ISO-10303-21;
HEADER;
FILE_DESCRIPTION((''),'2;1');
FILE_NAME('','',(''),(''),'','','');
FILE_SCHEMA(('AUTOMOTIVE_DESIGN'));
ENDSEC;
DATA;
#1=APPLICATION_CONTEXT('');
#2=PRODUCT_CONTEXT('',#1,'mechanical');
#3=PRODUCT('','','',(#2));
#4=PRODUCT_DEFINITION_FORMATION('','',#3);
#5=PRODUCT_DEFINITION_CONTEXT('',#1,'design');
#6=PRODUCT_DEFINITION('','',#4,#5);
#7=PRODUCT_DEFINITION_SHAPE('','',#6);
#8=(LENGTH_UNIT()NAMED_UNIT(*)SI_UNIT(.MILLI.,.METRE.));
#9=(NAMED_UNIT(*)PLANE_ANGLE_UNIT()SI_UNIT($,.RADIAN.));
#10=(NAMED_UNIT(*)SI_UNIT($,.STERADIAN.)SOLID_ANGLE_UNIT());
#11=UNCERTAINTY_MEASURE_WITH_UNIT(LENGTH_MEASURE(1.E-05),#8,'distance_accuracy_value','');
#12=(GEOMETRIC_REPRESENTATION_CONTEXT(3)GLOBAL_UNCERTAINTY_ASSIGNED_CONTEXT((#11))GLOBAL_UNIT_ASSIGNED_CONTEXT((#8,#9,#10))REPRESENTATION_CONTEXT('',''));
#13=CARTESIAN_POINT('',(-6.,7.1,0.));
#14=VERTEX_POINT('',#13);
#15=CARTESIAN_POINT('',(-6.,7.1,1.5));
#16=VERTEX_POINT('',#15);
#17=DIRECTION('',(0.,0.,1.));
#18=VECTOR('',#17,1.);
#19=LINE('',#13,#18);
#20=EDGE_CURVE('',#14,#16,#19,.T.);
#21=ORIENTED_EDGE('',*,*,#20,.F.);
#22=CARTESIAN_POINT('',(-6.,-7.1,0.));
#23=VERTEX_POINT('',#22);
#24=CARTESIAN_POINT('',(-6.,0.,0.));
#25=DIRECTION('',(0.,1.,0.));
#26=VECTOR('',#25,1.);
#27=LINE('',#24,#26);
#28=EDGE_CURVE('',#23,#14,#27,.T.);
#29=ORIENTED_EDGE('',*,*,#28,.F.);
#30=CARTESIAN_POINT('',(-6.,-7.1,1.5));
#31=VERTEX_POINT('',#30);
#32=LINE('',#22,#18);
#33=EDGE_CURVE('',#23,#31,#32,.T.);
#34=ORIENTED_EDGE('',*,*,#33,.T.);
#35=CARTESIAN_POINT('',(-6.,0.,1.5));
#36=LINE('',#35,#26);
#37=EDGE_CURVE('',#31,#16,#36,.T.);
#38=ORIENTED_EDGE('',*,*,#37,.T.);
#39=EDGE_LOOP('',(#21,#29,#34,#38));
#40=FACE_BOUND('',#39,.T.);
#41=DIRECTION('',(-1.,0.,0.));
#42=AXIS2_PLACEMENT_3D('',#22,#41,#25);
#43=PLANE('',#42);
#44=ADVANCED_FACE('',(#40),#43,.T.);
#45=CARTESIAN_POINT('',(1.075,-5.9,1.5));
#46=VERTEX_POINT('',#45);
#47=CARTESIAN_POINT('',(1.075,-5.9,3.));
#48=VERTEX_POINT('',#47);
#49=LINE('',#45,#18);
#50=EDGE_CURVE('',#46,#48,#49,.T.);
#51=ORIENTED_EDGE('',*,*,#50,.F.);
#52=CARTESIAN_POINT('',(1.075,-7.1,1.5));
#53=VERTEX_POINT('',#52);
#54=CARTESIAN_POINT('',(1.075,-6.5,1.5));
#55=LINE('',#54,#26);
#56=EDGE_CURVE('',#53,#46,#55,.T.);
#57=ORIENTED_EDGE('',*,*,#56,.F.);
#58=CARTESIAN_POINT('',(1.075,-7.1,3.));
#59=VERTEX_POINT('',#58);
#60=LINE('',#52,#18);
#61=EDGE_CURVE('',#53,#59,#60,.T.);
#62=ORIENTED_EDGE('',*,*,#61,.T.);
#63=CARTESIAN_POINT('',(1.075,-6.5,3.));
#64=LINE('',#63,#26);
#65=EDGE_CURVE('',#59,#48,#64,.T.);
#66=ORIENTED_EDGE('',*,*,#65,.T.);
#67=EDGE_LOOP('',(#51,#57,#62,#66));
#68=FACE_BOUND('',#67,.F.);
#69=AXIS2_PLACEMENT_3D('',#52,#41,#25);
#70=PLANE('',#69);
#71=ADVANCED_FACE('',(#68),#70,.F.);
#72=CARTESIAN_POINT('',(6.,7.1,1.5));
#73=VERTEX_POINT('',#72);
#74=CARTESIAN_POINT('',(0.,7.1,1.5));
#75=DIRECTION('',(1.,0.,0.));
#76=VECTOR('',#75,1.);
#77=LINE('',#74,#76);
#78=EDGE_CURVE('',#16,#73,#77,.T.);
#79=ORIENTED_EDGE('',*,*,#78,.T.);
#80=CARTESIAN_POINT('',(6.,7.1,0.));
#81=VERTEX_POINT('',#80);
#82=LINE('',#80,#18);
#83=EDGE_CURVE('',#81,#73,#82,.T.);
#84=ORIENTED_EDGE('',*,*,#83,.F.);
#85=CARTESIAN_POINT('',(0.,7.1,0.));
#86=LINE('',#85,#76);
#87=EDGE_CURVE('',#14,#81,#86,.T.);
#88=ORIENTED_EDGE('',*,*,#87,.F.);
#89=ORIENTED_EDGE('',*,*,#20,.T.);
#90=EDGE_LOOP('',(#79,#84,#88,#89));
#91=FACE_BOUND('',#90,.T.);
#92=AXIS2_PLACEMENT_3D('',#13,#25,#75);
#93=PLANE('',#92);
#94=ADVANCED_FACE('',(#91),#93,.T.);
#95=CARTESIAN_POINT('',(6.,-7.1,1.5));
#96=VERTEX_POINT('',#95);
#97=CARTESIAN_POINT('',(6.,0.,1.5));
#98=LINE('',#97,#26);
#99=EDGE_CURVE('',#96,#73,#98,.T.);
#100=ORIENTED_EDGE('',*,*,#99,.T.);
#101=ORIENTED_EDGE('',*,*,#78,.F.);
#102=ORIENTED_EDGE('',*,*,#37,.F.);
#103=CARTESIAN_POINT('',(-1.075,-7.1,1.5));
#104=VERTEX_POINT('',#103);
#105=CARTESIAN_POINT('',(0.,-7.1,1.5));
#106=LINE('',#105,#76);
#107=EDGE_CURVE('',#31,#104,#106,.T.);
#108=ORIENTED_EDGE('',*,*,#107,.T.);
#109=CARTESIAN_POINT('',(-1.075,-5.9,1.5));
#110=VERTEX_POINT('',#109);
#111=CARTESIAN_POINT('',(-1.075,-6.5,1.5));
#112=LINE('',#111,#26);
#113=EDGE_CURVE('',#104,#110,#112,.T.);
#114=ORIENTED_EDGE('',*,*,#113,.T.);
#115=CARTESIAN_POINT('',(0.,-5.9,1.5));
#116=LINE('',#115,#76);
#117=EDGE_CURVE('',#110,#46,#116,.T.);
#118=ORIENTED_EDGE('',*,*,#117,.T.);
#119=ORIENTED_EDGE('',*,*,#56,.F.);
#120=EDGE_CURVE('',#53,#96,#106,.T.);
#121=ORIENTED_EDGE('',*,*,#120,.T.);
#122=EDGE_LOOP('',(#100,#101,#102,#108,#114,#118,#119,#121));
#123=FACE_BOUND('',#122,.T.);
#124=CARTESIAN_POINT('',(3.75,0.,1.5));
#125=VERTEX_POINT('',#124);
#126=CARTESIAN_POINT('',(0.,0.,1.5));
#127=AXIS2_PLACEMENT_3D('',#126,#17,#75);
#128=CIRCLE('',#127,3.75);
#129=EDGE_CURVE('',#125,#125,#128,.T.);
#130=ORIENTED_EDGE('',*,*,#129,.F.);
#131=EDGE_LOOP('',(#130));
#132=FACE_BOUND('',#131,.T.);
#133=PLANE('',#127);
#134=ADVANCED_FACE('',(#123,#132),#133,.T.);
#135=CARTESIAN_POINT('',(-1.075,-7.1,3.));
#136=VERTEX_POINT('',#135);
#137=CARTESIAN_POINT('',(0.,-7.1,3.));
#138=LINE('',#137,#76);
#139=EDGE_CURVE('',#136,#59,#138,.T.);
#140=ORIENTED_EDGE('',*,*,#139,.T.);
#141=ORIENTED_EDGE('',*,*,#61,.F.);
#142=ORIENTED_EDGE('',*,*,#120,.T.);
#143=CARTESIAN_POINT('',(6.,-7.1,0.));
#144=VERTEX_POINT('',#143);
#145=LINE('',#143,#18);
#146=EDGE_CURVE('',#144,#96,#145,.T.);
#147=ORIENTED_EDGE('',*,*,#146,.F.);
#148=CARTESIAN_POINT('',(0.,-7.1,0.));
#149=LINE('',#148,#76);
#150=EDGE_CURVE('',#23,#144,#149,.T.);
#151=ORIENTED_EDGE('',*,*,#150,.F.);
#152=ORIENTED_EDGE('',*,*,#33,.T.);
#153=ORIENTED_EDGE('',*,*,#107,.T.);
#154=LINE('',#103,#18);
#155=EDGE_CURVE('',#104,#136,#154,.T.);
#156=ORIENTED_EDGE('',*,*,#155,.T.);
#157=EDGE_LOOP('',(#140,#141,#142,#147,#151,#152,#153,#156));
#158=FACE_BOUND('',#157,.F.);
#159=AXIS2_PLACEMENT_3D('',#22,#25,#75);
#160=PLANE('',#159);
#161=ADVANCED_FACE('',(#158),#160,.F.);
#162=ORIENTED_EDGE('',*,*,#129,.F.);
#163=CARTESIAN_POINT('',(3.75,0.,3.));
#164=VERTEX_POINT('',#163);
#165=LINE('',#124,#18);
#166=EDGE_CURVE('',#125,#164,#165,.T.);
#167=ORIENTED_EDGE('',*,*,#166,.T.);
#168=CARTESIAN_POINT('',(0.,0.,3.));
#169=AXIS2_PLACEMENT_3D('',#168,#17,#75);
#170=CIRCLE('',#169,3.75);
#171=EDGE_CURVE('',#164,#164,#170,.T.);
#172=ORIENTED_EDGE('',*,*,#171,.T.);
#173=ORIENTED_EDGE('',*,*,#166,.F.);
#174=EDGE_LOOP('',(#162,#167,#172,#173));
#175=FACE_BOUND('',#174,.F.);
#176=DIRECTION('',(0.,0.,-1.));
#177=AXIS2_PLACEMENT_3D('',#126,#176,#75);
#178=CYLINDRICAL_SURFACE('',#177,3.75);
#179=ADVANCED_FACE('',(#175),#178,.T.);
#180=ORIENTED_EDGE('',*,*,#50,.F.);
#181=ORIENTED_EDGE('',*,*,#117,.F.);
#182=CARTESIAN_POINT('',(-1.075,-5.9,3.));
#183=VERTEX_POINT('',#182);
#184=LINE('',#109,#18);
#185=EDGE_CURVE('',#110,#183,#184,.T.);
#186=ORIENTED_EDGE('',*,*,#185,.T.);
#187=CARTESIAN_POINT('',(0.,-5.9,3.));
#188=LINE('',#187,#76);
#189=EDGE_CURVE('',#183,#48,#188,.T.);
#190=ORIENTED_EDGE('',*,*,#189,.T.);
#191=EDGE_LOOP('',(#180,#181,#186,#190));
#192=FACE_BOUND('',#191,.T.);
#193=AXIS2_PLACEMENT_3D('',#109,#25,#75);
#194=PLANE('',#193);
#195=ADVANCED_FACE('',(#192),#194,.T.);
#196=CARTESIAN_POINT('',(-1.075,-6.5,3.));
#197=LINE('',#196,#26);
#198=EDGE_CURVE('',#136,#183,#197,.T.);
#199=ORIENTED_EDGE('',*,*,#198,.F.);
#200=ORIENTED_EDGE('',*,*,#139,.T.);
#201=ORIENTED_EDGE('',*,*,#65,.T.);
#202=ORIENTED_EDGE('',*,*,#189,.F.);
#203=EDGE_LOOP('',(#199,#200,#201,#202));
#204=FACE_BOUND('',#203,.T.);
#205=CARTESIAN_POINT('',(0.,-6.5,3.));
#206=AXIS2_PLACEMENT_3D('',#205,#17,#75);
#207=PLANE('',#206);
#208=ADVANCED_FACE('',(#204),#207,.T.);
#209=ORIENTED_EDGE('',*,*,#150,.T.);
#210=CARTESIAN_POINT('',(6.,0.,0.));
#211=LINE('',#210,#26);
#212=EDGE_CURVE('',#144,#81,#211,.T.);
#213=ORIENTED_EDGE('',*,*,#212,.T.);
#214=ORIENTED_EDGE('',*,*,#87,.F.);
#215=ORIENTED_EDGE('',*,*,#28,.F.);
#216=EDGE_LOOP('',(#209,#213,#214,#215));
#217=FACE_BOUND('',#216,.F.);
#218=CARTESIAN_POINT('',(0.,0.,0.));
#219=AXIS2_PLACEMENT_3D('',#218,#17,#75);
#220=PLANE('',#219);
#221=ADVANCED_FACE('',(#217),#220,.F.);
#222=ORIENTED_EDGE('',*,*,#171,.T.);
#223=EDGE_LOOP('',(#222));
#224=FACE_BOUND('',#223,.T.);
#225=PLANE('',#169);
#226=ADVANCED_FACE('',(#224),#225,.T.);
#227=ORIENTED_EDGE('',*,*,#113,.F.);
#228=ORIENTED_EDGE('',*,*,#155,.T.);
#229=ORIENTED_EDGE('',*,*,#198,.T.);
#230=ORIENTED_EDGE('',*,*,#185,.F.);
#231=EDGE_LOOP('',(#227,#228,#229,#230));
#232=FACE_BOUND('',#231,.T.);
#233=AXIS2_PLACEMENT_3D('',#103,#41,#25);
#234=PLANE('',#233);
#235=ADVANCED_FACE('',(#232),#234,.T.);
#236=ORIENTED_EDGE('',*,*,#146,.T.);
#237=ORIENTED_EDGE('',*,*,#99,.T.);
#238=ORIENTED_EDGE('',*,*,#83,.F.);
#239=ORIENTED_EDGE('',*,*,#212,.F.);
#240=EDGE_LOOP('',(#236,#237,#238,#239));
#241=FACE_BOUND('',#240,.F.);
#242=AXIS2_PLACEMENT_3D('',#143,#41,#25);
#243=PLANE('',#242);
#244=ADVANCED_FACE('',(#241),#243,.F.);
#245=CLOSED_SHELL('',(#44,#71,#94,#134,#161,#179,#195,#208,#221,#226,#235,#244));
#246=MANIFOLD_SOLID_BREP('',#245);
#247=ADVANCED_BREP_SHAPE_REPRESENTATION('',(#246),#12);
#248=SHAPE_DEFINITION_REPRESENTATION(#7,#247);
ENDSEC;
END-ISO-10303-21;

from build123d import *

# Parameters (mm, degrees)
SKETCH_W     = 12
SKETCH_H     = 14.2
PAD_DEPTH    = 1.5
SKETCH003_R  = 3.75
PAD003_DEPTH = 1.5
SKETCH004_W  = 2.15
SKETCH004_H  = 1.2
PAD004_DEPTH = 1.5


with BuildPart() as part:
    # Sketch → Pad (new body)
    with BuildSketch(Plane.XY):
        Rectangle(SKETCH_W, SKETCH_H)
    extrude(amount=PAD_DEPTH)

    # Sketch003 (on Face6 of Pad) → Pad003 (join)
    with BuildSketch(Plane.XY.offset(1.5)):
        Circle(SKETCH003_R)
    extrude(amount=PAD003_DEPTH)

    # Sketch004 (on Face5 of Pad003) → Pad004 (join)
    with BuildSketch(Plane.XY.offset(1.5)):
        with Locations((0, -6.5)):
            Rectangle(SKETCH004_W, SKETCH004_H)
    extrude(amount=PAD004_DEPTH)


solid = part.part
